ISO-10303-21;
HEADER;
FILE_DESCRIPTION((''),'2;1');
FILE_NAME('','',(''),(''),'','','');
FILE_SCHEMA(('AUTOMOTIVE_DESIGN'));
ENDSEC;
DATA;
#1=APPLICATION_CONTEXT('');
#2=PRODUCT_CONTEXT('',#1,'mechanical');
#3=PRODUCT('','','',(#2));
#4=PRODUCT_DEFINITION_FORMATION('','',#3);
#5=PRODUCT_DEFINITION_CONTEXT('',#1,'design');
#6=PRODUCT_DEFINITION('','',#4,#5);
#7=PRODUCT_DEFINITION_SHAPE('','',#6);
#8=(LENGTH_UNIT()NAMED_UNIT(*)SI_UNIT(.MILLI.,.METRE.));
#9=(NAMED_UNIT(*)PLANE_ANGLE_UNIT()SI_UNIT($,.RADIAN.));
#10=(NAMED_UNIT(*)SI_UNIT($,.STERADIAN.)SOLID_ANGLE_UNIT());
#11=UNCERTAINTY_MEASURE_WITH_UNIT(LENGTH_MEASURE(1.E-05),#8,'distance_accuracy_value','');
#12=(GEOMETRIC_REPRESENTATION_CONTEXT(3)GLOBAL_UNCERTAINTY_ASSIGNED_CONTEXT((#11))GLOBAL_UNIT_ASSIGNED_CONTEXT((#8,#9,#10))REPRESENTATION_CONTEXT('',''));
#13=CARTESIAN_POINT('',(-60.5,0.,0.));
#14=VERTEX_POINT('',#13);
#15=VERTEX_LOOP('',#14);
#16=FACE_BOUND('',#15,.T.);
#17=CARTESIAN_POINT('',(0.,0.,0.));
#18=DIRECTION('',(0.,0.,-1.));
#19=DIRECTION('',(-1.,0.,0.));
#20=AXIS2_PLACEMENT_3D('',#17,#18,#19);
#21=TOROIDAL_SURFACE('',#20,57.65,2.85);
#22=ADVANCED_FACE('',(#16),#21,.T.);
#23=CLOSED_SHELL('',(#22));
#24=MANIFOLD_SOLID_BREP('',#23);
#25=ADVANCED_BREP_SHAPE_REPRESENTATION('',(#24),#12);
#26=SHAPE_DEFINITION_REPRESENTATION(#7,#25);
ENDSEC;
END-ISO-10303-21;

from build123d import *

# Parameters (mm, degrees)
SKETCH2_R = 2.85


with BuildPart() as part:
    # Sweep1: sweep along a path in Sketch1
    with BuildLine(Plane.XY) as sweep1_path:
        CenterArc((0, 0), 54.8, 0, 360)
    # Sketch2 → Sweep1 (sweep)
    with BuildSketch(Plane(origin=(0, 0, 0), x_dir=(1, 0, 0), z_dir=(0, 1, 0))):
        with Locations((-57.65, 0)):
            Circle(SKETCH2_R)
    sweep(path=sweep1_path.line)


solid = part.part
